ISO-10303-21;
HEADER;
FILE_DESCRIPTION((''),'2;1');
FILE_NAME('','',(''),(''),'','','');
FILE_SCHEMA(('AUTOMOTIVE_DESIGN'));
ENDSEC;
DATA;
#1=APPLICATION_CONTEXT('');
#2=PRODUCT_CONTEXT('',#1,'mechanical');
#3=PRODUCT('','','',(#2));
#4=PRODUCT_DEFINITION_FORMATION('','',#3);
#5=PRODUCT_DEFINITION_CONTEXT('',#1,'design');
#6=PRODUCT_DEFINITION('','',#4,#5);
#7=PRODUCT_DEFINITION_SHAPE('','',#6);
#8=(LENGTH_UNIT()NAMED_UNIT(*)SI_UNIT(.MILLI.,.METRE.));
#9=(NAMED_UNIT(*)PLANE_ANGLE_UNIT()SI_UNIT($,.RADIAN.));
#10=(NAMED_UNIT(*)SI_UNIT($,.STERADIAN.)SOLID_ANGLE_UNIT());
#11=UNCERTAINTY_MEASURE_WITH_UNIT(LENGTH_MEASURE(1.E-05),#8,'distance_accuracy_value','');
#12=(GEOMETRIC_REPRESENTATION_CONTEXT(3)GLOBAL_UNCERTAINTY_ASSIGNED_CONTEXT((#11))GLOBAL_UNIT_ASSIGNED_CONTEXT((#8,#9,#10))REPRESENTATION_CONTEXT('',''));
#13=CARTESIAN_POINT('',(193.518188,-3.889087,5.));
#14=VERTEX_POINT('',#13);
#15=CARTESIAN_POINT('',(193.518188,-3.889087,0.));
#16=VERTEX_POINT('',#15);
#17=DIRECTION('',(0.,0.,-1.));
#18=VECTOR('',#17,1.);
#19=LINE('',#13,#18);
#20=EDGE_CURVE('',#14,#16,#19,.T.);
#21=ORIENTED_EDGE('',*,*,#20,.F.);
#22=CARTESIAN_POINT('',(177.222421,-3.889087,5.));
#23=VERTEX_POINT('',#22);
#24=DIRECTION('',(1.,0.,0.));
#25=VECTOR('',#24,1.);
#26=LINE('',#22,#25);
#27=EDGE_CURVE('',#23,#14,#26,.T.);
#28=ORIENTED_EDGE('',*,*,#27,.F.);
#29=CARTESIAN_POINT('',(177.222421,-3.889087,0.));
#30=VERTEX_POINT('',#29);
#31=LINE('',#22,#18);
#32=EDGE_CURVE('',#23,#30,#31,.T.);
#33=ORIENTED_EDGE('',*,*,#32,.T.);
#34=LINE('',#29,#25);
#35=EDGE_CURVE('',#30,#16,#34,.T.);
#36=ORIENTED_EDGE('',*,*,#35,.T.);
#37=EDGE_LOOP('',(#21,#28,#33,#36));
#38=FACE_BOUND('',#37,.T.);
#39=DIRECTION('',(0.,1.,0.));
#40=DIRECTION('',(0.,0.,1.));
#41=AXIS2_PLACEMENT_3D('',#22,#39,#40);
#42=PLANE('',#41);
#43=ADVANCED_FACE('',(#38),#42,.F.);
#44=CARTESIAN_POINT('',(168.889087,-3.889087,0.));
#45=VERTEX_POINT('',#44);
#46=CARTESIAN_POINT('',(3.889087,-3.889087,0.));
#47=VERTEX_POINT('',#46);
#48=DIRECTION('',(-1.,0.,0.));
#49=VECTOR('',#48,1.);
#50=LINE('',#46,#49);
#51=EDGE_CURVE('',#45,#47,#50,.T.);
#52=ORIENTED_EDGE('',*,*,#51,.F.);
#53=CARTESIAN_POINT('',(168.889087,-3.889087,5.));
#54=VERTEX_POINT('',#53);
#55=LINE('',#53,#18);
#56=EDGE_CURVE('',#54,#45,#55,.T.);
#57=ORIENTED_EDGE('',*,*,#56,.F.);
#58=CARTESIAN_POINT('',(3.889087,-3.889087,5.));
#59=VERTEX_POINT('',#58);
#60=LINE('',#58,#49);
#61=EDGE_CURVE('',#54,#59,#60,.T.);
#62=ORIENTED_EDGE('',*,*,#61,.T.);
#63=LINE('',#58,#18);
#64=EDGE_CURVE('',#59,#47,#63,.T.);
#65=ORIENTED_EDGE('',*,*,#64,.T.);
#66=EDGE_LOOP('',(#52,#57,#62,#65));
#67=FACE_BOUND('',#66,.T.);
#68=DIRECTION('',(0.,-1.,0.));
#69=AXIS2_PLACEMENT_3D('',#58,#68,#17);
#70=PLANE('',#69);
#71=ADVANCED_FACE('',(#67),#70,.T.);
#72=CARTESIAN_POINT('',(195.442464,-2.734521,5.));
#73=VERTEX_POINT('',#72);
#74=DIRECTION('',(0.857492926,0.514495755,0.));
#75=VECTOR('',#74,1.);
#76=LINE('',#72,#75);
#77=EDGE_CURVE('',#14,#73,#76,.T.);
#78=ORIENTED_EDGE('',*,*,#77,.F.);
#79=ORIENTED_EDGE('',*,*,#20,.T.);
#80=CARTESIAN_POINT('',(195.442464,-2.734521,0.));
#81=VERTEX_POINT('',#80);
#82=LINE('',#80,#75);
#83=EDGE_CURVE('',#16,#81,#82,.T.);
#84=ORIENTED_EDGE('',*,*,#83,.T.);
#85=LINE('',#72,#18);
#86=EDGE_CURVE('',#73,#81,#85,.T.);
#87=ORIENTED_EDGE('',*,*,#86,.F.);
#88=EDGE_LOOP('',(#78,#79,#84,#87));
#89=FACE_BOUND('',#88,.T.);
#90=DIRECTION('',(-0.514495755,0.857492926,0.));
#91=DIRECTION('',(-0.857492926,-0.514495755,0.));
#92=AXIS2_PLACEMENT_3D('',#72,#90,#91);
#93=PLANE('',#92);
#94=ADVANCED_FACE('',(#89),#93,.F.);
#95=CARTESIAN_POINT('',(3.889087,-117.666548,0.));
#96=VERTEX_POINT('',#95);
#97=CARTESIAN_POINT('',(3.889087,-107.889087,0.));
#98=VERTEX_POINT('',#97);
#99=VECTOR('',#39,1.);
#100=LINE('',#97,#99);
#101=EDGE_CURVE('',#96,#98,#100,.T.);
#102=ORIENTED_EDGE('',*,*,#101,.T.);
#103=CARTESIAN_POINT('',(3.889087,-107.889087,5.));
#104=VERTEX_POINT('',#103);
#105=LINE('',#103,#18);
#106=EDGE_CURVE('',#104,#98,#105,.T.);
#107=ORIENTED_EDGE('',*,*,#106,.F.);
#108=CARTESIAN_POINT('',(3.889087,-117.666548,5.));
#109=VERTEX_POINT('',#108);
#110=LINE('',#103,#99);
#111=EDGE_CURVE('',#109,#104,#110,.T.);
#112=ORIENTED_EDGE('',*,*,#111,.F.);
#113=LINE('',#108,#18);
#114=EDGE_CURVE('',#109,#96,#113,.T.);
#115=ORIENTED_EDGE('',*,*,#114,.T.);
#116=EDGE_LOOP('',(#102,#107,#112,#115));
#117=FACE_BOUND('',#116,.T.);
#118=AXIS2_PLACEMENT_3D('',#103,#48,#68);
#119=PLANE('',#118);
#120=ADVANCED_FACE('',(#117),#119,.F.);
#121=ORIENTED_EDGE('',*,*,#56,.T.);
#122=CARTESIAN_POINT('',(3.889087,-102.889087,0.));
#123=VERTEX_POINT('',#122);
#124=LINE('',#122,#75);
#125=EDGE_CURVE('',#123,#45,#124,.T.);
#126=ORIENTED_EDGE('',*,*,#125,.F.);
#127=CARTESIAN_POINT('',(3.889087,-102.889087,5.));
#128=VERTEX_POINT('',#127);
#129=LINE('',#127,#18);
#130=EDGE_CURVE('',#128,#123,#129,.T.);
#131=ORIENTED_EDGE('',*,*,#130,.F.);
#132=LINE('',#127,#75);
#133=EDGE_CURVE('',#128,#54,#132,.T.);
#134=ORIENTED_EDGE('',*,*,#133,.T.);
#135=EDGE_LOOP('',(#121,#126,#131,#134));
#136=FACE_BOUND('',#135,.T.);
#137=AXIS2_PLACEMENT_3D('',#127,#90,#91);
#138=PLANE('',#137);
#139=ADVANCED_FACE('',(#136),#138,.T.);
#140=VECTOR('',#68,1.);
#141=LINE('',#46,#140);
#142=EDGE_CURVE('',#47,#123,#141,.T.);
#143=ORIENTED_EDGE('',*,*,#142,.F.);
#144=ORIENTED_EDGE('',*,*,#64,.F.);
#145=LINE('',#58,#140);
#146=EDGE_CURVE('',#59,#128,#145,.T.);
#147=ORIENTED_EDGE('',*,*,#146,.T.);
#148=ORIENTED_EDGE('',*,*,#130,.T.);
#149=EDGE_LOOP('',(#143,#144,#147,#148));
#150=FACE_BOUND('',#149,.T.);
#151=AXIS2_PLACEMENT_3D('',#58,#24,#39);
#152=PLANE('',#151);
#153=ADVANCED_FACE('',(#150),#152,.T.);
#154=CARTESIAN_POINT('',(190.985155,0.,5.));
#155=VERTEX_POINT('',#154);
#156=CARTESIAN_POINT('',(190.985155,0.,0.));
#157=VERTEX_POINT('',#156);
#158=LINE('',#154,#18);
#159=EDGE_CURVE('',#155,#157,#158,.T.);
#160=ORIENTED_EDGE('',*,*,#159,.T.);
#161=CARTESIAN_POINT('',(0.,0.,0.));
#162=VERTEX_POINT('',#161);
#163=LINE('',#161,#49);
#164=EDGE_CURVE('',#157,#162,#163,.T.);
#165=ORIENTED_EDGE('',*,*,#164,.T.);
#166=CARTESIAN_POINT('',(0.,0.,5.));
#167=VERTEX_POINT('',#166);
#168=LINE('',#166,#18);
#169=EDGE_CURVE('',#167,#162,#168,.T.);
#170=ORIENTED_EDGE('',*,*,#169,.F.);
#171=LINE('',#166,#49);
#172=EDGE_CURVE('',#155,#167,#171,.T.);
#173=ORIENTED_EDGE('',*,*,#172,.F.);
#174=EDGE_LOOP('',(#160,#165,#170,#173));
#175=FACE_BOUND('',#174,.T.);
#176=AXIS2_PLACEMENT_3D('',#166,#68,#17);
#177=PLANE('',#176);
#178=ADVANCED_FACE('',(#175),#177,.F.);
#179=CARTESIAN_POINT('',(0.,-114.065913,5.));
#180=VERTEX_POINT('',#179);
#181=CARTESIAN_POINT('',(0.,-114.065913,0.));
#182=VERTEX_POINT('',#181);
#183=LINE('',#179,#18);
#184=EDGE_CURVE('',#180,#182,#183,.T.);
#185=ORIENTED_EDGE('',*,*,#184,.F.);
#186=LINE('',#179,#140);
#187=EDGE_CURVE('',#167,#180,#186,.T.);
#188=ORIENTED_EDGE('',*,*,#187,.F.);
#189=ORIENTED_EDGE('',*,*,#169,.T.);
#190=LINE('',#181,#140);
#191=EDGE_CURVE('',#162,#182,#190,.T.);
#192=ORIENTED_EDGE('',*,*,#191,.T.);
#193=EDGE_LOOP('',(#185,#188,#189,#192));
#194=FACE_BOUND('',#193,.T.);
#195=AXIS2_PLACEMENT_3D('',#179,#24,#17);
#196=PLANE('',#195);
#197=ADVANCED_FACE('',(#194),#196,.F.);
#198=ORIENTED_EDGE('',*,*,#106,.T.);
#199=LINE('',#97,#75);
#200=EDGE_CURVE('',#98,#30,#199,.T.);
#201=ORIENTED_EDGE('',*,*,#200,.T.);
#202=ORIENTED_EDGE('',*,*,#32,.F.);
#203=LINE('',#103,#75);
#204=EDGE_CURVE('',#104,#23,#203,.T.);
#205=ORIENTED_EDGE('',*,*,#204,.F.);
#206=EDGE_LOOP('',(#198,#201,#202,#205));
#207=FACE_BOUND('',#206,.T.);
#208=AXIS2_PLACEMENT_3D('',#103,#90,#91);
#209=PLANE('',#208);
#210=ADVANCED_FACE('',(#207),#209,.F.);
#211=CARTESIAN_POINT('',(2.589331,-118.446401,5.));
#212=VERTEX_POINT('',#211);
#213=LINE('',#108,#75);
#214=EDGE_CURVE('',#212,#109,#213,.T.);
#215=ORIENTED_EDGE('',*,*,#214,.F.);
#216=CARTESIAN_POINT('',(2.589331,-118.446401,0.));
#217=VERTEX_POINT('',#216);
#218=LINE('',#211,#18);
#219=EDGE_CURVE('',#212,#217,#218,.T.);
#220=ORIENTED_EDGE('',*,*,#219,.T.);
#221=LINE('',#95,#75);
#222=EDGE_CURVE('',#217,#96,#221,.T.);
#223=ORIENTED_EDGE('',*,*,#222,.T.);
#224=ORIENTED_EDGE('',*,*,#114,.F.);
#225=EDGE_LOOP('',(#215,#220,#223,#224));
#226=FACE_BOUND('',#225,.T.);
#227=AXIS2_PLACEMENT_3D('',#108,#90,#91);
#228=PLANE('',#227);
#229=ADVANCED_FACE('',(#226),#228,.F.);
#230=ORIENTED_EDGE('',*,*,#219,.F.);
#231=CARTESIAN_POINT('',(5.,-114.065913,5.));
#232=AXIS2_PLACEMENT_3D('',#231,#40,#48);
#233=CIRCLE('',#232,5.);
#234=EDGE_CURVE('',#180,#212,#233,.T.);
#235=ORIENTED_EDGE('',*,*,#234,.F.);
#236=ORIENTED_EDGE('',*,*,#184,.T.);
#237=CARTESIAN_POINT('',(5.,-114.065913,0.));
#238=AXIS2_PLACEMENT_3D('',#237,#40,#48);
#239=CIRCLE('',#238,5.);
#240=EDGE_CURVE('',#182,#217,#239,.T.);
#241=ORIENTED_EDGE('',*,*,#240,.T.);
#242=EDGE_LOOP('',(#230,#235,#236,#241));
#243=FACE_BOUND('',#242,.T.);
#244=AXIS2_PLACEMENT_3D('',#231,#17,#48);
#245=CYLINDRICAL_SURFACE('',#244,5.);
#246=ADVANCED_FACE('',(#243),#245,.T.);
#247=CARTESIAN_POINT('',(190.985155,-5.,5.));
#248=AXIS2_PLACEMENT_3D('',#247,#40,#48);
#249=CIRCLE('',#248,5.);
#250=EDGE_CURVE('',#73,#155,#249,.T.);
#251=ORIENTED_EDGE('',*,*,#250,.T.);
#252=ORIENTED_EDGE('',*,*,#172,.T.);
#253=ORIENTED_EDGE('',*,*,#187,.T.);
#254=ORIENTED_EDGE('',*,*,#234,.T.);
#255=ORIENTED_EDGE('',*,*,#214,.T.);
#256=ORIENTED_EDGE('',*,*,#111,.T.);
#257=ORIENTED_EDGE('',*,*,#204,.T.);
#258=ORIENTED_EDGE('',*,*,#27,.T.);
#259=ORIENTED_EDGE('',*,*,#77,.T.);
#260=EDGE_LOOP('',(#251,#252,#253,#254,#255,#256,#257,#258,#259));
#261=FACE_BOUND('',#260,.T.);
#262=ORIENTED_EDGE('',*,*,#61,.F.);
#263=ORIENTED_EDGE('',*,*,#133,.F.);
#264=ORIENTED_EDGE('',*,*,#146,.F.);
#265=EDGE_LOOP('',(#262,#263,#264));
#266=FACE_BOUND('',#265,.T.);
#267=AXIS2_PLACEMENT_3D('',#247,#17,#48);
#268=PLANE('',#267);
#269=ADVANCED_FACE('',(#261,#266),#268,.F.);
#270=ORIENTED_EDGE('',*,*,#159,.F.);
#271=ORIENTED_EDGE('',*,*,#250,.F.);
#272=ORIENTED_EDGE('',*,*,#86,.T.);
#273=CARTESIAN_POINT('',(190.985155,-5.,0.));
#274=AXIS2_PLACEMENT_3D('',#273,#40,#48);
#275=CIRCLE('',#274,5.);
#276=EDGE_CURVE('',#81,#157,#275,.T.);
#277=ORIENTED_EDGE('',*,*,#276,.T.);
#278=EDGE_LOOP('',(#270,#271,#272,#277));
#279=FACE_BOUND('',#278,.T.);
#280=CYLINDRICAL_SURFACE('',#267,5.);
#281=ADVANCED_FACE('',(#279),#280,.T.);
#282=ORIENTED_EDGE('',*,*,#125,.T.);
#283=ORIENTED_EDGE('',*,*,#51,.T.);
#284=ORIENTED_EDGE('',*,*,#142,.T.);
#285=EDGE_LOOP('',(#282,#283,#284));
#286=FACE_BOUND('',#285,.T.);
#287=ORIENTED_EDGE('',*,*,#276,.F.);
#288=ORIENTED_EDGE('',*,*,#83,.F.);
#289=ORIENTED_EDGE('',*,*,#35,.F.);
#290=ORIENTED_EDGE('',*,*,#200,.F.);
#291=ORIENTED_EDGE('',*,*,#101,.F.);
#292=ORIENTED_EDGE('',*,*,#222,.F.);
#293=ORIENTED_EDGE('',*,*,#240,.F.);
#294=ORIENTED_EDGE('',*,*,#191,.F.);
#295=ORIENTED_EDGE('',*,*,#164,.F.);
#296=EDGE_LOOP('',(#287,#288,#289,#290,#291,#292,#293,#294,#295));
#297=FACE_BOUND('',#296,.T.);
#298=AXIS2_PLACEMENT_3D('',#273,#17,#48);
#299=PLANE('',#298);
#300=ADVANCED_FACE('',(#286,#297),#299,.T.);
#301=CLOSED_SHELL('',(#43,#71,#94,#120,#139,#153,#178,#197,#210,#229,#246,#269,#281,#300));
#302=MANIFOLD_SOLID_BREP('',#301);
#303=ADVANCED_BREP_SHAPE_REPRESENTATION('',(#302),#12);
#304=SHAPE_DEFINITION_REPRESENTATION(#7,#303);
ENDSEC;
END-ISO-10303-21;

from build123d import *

# Parameters (mm, degrees)
BOSS_EXTRU_4_DEPTH = 5


with BuildPart() as part:
    # Esquisse1 → Boss.-Extru.4 (new body)
    with BuildSketch(Plane.XY):
        with BuildLine():
            Line((0, 0), (190.985155098, 0))
            ThreePointArc((190.985155098, 0), (193.599787646, -0.738111142), (195.442464428, -2.734521343))
            Line((195.442464428, -2.734521343), (193.518187839, -3.889087297))
            Line((193.518187839, -3.889087297), (177.22242063, -3.889087297))
            Line((177.22242063, -3.889087297), (3.889087297, -107.889087297))
            Line((3.889087297, -107.889087297), (3.889087297, -117.666547622))
            Line((3.889087297, -117.666547622), (2.58933145, -118.44640113))
            ThreePointArc((2.58933145, -118.44640113), (0.695737999, -116.610186592), (0, -114.065912899))
            Line((0, -114.065912899), (0, 0))
        make_face()
        Polygon((3.889087297, -102.889087297), (168.889087297, -3.889087297), (3.889087297, -3.889087297), align=None, mode=Mode.SUBTRACT)
    extrude(amount=BOSS_EXTRU_4_DEPTH)


solid = part.part
